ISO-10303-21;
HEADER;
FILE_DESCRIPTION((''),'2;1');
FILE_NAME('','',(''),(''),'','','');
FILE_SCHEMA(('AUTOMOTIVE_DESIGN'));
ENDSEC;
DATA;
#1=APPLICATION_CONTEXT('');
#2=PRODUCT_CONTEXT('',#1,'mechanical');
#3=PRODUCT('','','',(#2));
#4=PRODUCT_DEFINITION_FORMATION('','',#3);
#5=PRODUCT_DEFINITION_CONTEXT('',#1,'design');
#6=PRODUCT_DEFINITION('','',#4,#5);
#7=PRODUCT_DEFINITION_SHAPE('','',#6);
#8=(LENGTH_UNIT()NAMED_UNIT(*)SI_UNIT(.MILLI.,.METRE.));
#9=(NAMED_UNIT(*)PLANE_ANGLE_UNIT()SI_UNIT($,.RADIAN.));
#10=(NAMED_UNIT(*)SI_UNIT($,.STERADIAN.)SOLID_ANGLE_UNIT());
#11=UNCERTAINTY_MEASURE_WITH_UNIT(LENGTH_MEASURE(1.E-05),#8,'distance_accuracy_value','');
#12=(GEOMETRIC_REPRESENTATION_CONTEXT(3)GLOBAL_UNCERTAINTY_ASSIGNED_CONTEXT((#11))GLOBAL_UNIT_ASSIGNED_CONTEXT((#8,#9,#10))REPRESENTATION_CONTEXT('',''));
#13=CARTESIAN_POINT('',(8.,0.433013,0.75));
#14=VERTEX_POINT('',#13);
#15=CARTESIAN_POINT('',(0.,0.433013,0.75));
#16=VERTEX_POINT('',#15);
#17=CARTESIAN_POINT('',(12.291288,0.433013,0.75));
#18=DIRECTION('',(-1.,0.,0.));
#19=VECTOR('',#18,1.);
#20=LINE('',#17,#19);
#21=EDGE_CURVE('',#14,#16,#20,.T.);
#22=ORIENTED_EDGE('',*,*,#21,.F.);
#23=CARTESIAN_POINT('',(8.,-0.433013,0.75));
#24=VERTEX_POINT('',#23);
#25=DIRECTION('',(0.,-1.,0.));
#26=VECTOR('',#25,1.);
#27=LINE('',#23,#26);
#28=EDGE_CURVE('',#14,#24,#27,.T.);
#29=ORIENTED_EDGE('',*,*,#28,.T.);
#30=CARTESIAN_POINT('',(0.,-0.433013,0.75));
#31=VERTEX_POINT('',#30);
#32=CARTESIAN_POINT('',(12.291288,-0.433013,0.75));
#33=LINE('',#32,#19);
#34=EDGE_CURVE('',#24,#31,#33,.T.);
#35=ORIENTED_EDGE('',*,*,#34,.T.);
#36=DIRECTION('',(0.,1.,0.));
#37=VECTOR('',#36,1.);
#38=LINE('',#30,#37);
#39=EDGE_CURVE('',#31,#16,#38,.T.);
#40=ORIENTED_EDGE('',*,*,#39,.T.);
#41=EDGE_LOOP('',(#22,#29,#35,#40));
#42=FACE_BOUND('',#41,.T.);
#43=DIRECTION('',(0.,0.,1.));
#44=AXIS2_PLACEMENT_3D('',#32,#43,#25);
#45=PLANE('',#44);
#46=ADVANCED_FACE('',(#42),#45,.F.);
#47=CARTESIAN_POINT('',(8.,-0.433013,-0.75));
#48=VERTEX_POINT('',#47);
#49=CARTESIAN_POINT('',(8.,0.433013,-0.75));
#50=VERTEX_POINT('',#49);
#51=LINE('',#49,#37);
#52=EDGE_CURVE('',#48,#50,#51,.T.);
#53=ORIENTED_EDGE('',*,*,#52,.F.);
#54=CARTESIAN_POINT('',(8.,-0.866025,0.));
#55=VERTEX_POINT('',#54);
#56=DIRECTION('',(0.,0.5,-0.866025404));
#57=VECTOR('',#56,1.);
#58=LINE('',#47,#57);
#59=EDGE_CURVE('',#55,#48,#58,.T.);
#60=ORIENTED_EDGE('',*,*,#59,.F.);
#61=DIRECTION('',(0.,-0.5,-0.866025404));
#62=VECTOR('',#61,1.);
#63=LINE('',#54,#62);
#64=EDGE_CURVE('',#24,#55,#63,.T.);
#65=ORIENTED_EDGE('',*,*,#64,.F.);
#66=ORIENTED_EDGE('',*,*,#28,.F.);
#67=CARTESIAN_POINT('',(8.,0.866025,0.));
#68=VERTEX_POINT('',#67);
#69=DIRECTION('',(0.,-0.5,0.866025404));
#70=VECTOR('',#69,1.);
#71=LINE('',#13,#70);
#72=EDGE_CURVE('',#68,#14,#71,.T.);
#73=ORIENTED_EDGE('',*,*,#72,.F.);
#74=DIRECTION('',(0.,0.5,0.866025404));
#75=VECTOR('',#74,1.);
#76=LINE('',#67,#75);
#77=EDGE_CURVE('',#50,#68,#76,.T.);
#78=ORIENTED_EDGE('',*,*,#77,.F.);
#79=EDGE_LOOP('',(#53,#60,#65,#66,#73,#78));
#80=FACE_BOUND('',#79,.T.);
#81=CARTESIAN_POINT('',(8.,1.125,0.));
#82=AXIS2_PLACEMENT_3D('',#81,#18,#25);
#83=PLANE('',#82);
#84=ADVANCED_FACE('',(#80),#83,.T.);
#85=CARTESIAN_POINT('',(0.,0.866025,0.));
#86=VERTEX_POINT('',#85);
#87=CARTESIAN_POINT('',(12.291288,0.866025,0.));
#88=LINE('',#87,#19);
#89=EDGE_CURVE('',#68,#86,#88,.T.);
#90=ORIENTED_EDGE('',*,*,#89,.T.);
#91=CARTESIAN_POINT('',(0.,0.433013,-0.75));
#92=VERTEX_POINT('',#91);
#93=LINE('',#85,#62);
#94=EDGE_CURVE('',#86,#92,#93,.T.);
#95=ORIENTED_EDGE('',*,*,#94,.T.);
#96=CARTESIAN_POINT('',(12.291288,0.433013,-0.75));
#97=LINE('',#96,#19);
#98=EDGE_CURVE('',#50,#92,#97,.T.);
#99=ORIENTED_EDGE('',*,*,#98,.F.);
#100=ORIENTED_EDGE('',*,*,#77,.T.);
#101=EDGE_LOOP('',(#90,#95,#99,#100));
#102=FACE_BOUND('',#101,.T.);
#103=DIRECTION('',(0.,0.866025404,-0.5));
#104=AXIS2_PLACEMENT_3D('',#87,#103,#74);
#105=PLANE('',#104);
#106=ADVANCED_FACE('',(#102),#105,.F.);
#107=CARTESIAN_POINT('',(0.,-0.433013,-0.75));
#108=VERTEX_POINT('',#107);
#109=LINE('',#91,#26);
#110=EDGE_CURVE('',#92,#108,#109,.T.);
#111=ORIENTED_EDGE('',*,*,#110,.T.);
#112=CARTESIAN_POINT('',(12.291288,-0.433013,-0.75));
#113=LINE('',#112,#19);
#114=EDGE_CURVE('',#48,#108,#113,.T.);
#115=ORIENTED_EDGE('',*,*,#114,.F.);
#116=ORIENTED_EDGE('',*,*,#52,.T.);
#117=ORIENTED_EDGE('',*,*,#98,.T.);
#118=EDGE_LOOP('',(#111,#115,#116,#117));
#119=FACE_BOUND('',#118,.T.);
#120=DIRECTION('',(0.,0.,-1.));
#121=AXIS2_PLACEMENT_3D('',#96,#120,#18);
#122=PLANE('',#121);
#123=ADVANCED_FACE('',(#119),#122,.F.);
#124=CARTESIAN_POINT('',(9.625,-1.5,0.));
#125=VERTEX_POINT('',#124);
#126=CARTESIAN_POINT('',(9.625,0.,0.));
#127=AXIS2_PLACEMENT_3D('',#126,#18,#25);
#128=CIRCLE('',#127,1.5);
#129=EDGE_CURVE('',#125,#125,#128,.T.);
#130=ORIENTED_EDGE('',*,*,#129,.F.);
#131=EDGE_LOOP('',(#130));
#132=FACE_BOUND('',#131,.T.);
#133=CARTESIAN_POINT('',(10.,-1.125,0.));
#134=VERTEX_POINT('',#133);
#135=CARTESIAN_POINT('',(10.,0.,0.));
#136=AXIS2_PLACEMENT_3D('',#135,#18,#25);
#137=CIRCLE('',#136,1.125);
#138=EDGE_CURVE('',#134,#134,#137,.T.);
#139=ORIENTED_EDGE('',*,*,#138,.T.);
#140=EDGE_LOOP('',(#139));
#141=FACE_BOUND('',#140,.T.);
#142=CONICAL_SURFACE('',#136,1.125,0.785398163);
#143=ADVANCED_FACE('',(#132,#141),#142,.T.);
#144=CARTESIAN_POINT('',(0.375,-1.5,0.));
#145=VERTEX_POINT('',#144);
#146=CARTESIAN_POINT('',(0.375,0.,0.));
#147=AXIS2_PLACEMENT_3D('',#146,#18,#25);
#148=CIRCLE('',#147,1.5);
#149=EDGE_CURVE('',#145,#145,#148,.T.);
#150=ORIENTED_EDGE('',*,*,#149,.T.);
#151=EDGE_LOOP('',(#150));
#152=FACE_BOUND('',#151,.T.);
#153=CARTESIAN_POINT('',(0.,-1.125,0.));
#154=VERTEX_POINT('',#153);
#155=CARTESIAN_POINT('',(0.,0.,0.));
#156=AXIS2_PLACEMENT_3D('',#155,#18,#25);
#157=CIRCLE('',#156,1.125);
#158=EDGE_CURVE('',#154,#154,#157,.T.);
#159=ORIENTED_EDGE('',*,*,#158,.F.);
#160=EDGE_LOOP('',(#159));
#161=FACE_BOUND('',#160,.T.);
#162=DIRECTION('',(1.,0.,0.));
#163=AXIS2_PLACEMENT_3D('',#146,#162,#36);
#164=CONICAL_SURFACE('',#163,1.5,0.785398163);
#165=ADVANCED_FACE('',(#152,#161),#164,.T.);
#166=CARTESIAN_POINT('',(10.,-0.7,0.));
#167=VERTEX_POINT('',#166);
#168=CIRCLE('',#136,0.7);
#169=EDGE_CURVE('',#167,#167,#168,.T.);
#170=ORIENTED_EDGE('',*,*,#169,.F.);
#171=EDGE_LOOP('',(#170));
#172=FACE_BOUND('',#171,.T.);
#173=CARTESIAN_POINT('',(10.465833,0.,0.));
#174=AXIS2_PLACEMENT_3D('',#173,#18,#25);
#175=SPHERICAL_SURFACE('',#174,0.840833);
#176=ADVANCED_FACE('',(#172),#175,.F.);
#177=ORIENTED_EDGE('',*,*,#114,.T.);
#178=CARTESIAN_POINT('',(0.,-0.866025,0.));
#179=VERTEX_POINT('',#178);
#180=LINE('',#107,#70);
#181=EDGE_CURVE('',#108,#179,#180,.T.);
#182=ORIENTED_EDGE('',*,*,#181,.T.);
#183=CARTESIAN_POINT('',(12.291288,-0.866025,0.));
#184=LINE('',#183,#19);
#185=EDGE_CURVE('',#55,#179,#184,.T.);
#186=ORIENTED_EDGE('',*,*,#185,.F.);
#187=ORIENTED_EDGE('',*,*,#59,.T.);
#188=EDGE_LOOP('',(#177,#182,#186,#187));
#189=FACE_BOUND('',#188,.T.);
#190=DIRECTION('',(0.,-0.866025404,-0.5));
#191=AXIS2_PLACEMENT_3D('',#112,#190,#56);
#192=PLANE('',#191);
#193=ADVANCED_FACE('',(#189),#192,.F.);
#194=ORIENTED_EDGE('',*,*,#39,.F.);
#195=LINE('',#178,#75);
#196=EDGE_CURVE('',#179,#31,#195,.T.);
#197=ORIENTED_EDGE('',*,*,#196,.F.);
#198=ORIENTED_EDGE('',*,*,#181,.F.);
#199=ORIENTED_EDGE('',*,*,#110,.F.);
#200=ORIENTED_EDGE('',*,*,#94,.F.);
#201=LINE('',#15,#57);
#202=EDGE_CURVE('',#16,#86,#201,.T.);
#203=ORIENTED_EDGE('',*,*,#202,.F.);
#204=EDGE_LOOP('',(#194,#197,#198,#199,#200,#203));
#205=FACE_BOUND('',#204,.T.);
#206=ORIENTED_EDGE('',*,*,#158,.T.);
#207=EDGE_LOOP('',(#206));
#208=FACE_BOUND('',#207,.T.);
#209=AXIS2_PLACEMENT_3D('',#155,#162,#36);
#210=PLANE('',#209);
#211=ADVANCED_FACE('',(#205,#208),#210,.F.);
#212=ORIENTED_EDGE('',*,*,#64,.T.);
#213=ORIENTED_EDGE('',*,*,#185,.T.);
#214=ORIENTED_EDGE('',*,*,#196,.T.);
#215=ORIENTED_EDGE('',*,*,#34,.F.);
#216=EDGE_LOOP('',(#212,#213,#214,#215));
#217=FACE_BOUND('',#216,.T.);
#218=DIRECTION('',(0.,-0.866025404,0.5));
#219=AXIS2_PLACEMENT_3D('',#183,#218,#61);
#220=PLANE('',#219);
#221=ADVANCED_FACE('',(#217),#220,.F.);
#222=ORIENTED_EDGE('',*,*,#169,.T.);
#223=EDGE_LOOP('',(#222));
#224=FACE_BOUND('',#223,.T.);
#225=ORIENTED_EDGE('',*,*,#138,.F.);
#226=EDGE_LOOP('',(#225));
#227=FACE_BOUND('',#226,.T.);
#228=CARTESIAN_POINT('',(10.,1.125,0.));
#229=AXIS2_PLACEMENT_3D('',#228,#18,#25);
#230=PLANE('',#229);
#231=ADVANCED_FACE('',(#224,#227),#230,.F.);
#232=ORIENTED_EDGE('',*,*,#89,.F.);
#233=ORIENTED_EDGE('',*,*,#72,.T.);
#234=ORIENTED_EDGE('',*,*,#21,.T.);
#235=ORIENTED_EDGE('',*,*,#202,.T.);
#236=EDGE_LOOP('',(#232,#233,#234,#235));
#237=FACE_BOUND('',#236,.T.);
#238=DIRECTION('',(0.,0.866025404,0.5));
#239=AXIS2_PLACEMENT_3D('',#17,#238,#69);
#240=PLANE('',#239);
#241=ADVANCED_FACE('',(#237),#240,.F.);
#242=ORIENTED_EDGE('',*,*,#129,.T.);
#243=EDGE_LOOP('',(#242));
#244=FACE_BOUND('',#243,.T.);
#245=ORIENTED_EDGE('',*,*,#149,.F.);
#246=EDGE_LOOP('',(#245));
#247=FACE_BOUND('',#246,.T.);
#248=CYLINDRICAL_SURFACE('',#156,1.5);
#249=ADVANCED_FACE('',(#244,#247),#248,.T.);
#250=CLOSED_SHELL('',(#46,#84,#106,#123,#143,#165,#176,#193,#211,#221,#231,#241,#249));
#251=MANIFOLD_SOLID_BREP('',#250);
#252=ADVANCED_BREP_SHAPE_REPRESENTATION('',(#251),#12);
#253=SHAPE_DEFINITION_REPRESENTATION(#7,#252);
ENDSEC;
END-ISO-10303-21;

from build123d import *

# Parameters (mm, degrees)
CUT_EXTRUDE1_DEPTH = 8


with BuildPart() as part:
    # Sketch1 → Revolve1 (revolve)
    with BuildSketch(Plane.XY, mode=Mode.PRIVATE) as revolve1_sk:
        with BuildLine():
            Line((0, 0), (0, 1.125))
            Line((0, 1.125), (0.375, 1.5))
            Line((0.375, 1.5), (9.625, 1.5))
            Line((9.625, 1.5), (10, 1.125))
            Line((10, 1.125), (10, 0.7))
            ThreePointArc((10, 0.7), (9.724655592, 0.397059504), (9.625, 0))
            Line((9.625, 0), (0, 0))
        make_face()
    revolve(revolve1_sk.sketch.rotate(Axis((0, 0, 0), (1, 0, 0)), 180), axis=Axis((0, 0, 0), (1, 0, 0)))

    # Sketch2 → Cut-Extrude1 (cut)
    with BuildSketch(Plane.ZY):
        Polygon((0, 0.866025404), (-0.75, 0.433012702), (-0.75, -0.433012702), (0, -0.866025404), (0.75, -0.433012702), (0.75, 0.433012702), align=None)
    extrude(amount=-CUT_EXTRUDE1_DEPTH, mode=Mode.SUBTRACT)


solid = part.part
